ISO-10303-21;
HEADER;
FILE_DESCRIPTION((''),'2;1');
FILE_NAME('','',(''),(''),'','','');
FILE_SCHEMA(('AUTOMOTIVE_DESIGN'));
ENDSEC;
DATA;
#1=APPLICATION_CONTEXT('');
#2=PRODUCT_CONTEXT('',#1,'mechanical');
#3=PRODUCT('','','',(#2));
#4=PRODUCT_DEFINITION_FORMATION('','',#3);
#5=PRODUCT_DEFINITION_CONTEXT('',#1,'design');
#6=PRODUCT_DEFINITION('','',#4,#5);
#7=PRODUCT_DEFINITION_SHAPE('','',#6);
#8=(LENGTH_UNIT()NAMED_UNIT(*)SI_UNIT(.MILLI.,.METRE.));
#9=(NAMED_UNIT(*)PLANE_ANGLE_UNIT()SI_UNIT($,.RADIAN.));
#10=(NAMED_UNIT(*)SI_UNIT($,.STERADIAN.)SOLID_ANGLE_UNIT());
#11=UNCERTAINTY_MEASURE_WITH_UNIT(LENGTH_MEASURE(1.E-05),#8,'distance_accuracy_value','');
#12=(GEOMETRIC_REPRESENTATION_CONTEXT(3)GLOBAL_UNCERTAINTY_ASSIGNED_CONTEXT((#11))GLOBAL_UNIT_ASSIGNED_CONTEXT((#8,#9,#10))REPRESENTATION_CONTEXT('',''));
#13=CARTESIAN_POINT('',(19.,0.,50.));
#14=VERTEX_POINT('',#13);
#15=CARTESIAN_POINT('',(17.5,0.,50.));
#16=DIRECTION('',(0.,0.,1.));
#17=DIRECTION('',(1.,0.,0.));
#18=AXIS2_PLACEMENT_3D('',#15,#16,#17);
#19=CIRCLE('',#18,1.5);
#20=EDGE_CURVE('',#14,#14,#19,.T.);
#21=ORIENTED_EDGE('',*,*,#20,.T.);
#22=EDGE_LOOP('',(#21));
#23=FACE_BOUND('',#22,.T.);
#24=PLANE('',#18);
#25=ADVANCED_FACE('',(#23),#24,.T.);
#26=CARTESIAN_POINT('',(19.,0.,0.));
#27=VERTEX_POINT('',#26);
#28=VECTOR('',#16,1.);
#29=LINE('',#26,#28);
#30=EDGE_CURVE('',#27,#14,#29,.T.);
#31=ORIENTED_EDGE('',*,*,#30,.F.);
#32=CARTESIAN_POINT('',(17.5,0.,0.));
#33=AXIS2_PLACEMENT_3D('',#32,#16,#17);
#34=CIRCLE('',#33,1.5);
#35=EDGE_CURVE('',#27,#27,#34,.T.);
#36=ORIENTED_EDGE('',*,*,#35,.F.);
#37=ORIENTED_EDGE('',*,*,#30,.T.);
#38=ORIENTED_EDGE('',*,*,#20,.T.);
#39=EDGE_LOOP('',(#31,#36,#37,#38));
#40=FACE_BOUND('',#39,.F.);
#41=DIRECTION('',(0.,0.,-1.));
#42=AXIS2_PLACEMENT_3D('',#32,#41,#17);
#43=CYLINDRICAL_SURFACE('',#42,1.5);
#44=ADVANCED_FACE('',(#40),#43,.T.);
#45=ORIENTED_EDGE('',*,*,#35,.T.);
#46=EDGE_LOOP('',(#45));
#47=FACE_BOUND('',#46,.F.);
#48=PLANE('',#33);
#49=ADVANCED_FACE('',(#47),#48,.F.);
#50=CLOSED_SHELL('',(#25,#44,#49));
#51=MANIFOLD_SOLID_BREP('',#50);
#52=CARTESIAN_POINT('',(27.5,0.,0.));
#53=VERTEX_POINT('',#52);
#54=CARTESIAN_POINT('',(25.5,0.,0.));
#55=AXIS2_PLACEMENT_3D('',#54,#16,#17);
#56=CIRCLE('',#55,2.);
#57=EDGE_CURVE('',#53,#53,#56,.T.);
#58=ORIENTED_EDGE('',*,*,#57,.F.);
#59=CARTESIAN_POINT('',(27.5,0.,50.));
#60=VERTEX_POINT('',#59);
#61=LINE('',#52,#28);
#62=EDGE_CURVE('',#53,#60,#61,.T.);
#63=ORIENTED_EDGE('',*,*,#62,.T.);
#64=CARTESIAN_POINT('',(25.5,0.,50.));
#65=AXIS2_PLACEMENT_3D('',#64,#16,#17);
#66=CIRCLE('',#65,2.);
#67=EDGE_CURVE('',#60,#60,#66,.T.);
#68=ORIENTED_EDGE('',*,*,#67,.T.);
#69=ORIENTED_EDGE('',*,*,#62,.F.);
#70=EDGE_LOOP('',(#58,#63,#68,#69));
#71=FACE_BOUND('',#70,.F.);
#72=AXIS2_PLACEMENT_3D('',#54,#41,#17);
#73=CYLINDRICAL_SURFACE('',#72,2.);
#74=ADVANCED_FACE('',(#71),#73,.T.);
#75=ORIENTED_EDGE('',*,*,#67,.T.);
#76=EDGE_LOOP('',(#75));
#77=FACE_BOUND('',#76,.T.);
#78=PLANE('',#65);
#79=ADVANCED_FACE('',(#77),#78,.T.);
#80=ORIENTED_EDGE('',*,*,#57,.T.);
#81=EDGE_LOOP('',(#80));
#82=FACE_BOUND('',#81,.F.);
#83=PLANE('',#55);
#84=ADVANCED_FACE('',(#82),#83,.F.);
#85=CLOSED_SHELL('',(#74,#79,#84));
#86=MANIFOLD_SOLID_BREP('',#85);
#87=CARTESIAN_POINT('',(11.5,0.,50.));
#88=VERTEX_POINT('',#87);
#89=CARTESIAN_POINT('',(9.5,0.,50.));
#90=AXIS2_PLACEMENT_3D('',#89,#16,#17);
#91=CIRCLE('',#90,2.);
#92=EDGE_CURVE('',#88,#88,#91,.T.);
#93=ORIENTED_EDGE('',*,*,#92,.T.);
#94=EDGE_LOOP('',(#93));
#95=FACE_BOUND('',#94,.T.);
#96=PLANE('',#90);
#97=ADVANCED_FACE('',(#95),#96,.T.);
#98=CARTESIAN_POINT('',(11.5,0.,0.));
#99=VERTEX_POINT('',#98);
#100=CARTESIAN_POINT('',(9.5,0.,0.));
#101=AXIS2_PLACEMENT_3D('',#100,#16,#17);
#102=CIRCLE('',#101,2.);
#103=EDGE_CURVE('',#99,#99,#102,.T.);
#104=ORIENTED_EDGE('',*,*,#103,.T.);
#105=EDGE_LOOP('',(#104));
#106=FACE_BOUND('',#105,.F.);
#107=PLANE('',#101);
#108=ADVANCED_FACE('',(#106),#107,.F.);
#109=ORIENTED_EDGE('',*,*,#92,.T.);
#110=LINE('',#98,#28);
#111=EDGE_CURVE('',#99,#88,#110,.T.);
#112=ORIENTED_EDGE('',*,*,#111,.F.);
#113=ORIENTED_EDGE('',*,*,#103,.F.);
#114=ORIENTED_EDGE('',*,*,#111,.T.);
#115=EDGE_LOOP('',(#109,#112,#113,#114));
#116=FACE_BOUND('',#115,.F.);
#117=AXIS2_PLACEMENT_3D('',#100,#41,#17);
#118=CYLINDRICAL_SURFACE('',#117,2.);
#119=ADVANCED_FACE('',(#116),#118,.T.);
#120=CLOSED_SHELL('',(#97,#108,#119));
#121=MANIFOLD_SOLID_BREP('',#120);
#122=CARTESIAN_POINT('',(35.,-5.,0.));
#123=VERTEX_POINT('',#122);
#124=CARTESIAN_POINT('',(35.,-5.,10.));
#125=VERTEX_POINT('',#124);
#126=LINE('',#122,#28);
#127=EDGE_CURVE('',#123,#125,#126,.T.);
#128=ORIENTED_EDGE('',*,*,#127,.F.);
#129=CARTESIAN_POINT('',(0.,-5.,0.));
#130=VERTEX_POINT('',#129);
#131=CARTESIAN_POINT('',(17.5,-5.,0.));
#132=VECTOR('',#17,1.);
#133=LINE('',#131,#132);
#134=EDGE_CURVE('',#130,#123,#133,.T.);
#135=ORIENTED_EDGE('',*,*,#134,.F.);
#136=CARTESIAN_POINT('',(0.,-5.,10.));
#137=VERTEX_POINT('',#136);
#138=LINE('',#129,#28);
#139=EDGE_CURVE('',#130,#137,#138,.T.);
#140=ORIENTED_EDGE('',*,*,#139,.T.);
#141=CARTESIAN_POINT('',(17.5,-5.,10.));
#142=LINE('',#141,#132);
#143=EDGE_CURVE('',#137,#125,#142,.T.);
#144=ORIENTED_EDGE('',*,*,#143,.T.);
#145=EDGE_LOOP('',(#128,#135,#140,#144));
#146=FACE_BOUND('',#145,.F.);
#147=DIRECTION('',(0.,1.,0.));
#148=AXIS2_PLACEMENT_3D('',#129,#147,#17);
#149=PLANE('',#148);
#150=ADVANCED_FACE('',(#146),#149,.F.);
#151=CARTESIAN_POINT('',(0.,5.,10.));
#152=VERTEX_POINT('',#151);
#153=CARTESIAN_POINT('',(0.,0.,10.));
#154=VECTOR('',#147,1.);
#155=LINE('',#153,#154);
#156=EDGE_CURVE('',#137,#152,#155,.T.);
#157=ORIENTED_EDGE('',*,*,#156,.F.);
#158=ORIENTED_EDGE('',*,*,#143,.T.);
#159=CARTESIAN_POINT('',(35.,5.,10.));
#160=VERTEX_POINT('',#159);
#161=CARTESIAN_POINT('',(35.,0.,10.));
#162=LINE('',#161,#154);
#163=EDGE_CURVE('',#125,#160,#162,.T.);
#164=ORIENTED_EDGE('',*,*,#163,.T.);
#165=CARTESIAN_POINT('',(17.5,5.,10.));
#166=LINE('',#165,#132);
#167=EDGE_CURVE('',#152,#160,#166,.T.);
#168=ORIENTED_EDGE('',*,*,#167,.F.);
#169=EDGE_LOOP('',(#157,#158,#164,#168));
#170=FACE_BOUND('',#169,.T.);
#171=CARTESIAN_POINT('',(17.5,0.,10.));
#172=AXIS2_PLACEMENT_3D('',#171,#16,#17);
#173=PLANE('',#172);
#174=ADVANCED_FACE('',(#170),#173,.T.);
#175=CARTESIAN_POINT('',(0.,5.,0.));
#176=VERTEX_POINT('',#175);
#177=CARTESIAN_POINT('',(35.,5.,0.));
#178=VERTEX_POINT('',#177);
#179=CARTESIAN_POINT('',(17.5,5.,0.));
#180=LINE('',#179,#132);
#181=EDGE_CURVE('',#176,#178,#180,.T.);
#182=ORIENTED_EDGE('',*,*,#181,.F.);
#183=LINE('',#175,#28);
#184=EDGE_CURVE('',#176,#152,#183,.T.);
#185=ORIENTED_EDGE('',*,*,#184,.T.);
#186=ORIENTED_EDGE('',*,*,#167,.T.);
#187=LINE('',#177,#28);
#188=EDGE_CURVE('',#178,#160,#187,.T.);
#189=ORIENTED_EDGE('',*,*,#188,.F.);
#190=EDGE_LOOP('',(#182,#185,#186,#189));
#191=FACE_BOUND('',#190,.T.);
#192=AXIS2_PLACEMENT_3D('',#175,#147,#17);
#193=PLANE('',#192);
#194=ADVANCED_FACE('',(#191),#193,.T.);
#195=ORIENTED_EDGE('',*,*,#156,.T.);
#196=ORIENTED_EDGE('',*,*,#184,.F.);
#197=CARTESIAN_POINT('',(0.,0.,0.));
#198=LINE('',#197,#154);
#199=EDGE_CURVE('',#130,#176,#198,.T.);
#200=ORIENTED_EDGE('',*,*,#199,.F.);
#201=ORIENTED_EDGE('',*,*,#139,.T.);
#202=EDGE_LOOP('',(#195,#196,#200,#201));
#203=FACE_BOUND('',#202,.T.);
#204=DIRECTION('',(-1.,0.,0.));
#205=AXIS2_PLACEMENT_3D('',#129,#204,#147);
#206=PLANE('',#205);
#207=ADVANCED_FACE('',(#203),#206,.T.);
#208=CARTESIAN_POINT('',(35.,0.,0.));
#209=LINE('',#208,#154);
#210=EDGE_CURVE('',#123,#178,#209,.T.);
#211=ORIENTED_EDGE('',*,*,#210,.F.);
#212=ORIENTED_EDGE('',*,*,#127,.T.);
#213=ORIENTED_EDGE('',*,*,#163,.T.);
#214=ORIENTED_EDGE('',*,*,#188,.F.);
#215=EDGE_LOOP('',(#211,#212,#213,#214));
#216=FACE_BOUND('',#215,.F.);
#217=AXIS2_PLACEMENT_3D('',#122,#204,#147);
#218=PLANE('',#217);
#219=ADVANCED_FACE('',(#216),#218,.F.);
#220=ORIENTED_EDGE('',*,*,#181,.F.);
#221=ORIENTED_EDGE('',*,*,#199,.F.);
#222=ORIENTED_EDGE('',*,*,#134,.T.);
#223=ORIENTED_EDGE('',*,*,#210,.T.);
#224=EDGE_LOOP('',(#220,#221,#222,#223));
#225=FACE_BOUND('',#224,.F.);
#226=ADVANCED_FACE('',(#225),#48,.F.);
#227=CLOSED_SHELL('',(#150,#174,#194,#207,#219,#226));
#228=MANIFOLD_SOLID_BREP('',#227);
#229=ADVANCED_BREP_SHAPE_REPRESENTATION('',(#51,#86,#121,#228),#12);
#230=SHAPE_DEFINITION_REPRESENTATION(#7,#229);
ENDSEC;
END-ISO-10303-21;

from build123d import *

# Parameters (mm, degrees)
F0_R     = 2
F0_R_2   = 1.5
F1_DEPTH = 50
F2_W     = 35
F2_H     = 10
F3_DEPTH = 10


with BuildPart() as f1:
    # F0 (on Top) → F1 (new body)
    with BuildSketch(Plane.XY):
        with Locations((9.5, 0)):
            Circle(F0_R)
        with Locations((17.5, 0)):
            Circle(F0_R_2)
        with Locations((25.5, 0)):
            Circle(F0_R)
    extrude(amount=F1_DEPTH)


with BuildPart() as f3:
    # F2 (on Top) → F3 (new body)
    with BuildSketch(Plane.XY):
        with Locations((17.5, 0)):
            Rectangle(F2_W, F2_H)
    extrude(amount=F3_DEPTH)


solid = Compound([f1.part, f3.part])
